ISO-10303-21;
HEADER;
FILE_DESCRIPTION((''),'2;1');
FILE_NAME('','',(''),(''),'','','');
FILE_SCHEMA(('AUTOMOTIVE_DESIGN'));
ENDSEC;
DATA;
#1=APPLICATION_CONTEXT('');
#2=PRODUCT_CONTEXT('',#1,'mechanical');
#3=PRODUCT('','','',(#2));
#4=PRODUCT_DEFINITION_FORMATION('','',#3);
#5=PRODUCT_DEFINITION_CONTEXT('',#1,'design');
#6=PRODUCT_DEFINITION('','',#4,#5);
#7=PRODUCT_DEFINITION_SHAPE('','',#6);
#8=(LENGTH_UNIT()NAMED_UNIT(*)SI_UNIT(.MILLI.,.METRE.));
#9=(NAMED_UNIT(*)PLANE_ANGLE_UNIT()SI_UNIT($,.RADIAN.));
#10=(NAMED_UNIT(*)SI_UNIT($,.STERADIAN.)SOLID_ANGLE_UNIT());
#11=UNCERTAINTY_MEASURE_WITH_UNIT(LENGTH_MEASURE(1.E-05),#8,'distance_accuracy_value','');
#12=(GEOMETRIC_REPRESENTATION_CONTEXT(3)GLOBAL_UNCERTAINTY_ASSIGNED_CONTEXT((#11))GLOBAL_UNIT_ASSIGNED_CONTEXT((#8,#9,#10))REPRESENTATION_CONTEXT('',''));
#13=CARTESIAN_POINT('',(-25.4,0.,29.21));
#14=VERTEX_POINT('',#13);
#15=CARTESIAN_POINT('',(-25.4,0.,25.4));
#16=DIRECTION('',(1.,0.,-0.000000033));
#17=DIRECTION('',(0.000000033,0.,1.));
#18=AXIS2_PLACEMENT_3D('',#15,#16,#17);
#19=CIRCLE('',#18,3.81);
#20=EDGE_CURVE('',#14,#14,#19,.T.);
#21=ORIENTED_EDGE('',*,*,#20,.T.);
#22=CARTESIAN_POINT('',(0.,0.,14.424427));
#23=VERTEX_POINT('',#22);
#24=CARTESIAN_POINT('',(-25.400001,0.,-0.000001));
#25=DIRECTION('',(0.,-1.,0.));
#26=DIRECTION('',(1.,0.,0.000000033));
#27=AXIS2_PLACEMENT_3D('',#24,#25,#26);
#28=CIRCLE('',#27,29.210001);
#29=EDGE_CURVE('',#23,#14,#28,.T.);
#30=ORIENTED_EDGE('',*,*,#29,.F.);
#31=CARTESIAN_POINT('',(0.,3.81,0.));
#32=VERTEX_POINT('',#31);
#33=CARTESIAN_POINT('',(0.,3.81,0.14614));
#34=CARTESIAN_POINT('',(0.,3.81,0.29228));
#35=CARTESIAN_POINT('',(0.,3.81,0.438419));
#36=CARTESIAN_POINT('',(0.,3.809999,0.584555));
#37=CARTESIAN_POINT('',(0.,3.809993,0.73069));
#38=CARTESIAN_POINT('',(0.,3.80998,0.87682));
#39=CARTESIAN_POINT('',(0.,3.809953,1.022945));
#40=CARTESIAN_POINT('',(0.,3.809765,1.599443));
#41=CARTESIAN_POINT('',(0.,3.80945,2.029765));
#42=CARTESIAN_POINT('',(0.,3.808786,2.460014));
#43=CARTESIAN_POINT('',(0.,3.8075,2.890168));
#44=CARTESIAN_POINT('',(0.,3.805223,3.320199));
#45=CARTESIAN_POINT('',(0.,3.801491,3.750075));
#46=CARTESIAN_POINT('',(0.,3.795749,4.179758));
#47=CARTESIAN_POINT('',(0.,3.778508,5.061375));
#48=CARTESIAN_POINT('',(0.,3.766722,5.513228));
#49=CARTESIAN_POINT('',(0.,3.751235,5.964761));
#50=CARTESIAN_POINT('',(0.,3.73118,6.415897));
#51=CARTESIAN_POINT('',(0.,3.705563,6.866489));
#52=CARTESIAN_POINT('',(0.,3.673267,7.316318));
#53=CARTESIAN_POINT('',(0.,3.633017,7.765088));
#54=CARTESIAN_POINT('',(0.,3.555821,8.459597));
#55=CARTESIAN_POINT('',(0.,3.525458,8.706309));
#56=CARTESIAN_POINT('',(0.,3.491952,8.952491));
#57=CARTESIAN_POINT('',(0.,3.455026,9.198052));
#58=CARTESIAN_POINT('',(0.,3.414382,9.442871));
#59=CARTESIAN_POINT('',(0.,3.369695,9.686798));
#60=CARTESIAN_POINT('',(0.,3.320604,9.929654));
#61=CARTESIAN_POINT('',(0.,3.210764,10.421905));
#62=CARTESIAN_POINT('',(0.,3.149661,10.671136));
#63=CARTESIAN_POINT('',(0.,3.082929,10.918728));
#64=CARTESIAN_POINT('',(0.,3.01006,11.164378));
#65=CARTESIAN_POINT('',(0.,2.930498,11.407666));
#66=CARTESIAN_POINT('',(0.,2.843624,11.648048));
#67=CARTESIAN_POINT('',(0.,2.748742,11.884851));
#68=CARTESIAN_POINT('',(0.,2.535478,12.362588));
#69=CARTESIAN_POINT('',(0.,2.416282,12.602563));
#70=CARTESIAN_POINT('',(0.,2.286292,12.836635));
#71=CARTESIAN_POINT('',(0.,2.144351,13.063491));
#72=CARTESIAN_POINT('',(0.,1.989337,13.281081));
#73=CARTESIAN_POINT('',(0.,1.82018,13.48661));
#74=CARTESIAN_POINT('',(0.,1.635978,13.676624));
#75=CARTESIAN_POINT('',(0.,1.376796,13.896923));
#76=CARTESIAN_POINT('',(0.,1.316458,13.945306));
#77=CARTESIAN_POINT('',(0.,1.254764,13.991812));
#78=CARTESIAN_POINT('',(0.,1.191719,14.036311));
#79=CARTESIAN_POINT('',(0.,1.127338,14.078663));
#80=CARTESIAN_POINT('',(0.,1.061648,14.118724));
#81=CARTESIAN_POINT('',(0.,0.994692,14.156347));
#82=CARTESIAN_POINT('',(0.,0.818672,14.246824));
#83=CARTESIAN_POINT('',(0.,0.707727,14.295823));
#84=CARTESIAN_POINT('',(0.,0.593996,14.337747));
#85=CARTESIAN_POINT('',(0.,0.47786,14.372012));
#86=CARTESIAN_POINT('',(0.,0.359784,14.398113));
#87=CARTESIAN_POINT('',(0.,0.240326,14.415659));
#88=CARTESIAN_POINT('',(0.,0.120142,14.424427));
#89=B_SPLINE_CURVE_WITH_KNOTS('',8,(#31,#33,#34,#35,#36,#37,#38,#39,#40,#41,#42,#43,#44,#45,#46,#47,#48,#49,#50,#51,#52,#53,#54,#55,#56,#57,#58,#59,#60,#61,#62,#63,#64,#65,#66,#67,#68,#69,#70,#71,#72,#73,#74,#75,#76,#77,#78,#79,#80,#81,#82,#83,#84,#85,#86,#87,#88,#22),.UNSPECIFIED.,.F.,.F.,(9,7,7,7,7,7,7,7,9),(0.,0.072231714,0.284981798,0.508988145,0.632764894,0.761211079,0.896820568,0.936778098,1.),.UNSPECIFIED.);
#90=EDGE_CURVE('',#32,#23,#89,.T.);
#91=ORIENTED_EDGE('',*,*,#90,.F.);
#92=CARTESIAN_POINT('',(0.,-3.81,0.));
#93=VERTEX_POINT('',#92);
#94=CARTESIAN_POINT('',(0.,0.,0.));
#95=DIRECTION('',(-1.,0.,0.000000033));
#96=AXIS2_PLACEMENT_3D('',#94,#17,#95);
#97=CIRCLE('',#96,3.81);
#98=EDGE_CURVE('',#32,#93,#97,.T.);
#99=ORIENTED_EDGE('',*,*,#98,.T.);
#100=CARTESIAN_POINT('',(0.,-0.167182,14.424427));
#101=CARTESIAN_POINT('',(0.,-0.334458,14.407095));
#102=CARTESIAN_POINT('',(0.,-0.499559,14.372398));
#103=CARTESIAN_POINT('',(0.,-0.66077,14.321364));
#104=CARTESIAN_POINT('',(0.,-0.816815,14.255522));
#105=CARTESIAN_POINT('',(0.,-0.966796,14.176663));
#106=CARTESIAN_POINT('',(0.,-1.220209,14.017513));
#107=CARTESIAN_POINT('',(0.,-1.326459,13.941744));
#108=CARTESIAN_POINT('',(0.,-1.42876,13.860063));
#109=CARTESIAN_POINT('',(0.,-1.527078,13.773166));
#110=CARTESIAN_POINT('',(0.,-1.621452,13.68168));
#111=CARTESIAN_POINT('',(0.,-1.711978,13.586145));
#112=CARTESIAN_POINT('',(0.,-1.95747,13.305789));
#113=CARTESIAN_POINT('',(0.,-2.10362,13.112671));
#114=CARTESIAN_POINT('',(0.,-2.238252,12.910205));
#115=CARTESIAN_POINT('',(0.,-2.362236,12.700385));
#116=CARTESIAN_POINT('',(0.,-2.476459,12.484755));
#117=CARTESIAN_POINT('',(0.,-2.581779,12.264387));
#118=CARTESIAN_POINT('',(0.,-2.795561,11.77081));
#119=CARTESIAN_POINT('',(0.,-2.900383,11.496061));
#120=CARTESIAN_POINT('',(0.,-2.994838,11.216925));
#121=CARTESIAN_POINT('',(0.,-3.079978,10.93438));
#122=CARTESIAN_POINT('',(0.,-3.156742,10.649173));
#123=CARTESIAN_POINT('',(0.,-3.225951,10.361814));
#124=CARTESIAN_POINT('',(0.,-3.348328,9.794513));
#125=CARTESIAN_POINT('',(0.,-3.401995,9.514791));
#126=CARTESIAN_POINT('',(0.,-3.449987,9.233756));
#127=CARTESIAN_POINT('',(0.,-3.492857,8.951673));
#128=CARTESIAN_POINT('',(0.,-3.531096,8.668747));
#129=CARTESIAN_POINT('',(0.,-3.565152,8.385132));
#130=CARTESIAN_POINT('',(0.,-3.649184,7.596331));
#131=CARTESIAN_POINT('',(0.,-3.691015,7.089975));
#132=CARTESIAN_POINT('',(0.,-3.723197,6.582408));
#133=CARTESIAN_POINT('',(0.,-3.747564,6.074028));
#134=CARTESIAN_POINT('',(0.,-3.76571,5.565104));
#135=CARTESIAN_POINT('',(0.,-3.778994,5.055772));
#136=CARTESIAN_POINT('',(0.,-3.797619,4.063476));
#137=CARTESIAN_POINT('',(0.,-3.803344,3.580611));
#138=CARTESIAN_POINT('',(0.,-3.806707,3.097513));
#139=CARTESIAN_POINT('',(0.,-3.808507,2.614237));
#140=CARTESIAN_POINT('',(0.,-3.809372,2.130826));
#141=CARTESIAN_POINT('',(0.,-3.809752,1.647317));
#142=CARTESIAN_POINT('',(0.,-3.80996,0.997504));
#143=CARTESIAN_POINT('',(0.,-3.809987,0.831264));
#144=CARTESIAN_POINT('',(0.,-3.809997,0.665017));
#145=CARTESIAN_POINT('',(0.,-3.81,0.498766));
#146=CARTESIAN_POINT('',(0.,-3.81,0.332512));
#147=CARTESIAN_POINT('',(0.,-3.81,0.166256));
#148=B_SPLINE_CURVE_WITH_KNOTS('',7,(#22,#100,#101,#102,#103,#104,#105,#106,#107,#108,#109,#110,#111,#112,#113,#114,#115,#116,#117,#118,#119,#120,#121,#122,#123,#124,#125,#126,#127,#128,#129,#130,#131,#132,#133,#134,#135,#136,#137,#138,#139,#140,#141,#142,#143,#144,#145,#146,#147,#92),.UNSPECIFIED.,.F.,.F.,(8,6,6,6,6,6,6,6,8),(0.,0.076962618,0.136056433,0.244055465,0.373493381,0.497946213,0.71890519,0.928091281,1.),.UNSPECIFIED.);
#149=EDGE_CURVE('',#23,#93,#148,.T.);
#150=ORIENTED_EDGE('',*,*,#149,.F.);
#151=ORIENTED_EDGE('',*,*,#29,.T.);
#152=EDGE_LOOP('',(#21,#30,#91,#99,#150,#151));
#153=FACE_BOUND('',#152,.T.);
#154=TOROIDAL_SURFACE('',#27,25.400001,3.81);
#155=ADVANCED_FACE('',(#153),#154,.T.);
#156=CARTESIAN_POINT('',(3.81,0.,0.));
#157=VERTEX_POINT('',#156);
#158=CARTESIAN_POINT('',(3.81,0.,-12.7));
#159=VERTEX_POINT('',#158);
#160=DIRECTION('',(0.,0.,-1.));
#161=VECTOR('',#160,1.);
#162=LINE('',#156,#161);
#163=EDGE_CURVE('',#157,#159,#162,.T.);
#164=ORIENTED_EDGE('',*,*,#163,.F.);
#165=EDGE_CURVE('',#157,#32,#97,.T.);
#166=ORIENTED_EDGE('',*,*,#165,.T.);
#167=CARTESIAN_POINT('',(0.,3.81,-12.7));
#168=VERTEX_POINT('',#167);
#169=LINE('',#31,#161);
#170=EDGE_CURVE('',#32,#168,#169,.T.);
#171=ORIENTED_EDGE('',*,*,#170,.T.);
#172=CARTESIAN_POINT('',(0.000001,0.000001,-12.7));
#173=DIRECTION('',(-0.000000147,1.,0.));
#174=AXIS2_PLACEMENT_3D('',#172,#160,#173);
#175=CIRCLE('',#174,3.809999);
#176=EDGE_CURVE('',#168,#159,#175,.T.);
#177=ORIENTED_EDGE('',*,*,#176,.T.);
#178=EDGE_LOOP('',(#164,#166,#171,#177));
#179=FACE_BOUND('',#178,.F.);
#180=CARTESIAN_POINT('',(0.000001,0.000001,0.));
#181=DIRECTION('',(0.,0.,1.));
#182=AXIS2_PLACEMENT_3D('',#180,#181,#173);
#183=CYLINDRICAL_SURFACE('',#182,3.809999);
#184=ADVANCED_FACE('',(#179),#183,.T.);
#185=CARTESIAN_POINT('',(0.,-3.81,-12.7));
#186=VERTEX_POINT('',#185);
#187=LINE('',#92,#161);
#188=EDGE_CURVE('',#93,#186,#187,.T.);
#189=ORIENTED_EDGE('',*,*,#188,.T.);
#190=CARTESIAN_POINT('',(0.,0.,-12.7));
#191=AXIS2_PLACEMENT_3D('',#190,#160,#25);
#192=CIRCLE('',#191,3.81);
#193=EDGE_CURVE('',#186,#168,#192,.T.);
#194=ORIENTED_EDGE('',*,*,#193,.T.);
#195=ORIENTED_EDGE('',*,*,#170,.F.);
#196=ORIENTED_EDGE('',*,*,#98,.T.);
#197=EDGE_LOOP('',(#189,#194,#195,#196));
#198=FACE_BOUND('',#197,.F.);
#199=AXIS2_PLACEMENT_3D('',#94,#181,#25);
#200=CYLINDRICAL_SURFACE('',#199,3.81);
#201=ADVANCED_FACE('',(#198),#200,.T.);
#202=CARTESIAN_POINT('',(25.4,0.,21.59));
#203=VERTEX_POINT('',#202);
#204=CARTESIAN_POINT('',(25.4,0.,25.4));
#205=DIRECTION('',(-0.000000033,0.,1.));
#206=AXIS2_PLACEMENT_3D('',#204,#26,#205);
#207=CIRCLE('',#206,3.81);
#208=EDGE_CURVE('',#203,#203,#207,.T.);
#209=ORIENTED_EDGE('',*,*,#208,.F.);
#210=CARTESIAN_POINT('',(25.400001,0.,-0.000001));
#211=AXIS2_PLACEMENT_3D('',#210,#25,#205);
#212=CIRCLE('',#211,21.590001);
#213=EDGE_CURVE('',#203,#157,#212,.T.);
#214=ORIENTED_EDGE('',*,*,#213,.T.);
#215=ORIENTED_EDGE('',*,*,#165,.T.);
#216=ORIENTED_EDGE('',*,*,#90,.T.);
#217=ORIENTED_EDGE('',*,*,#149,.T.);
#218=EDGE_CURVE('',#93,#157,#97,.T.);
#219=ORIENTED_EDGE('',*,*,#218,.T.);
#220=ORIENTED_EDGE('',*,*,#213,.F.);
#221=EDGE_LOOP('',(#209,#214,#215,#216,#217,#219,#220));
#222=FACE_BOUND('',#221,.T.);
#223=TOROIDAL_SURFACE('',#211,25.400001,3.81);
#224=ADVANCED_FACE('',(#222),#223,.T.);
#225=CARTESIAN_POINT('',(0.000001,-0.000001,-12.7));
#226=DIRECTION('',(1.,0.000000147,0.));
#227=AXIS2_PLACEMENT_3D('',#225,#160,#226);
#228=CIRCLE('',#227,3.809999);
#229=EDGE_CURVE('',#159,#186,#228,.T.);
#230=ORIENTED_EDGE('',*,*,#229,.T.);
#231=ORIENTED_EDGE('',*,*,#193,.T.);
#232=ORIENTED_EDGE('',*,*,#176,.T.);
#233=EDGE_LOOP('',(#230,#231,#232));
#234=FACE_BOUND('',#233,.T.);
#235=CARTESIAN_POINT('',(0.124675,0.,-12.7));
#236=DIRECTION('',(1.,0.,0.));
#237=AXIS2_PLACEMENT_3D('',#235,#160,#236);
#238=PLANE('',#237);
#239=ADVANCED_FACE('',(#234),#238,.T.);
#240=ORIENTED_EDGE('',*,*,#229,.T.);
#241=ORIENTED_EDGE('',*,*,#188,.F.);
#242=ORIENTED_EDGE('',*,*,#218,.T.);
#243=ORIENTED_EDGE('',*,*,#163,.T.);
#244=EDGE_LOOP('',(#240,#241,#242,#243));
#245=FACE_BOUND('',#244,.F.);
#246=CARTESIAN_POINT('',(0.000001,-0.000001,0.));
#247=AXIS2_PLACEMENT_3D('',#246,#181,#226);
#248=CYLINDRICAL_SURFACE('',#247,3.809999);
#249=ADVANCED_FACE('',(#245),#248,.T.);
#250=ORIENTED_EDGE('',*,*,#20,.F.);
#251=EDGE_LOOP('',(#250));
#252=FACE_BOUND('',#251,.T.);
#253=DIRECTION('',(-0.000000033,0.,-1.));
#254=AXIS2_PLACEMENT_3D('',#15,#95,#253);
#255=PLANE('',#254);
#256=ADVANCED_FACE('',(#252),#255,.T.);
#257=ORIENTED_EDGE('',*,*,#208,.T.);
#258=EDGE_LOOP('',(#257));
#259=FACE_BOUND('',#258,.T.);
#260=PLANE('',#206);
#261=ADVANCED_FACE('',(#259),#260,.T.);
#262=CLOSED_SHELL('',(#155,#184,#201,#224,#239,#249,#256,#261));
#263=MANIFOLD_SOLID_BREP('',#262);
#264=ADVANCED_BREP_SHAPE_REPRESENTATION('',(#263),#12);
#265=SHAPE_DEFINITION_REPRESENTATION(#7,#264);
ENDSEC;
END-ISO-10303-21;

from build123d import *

# Parameters (mm, degrees)
F0_R     = 3.81
F4_DEPTH = 12.7


with BuildPart() as f2:
    # F2: sweep along a path in F1
    with BuildLine(Plane.XZ) as f2_path:
        ThreePointArc((25.4, 25.4), (7.439488, 17.960512), (0, 0))
    # F0 (on Top) → F2 (sweep)
    with BuildSketch(Plane.XY):
        Circle(F0_R)
    sweep(path=f2_path.line)

    # F3: sweep along a path in F1
    with BuildLine(Plane.XZ) as f3_path:
        ThreePointArc((0, 0), (-7.439488, 17.960512), (-25.4, 25.4))
    # F0 (on Top) → F3 (sweep)
    with BuildSketch(Plane.XY):
        Circle(F0_R)
    sweep(path=f3_path.line)

    # F2_face (on face) → F4 (join)
    with BuildSketch(Plane(origin=(0, 0, 0), x_dir=(1, 0, 0), z_dir=(0, 0, -1))):
        with BuildLine():
            ThreePointArc((0, -3.81), (2.694077, -2.694077), (3.81, 0))
            ThreePointArc((3.81, 0), (2.694077, 2.694077), (0, 3.81))
            ThreePointArc((0, 3.81), (-3.81, 0), (0, -3.81))
        make_face()
    extrude(amount=F4_DEPTH)


solid = f2.part
